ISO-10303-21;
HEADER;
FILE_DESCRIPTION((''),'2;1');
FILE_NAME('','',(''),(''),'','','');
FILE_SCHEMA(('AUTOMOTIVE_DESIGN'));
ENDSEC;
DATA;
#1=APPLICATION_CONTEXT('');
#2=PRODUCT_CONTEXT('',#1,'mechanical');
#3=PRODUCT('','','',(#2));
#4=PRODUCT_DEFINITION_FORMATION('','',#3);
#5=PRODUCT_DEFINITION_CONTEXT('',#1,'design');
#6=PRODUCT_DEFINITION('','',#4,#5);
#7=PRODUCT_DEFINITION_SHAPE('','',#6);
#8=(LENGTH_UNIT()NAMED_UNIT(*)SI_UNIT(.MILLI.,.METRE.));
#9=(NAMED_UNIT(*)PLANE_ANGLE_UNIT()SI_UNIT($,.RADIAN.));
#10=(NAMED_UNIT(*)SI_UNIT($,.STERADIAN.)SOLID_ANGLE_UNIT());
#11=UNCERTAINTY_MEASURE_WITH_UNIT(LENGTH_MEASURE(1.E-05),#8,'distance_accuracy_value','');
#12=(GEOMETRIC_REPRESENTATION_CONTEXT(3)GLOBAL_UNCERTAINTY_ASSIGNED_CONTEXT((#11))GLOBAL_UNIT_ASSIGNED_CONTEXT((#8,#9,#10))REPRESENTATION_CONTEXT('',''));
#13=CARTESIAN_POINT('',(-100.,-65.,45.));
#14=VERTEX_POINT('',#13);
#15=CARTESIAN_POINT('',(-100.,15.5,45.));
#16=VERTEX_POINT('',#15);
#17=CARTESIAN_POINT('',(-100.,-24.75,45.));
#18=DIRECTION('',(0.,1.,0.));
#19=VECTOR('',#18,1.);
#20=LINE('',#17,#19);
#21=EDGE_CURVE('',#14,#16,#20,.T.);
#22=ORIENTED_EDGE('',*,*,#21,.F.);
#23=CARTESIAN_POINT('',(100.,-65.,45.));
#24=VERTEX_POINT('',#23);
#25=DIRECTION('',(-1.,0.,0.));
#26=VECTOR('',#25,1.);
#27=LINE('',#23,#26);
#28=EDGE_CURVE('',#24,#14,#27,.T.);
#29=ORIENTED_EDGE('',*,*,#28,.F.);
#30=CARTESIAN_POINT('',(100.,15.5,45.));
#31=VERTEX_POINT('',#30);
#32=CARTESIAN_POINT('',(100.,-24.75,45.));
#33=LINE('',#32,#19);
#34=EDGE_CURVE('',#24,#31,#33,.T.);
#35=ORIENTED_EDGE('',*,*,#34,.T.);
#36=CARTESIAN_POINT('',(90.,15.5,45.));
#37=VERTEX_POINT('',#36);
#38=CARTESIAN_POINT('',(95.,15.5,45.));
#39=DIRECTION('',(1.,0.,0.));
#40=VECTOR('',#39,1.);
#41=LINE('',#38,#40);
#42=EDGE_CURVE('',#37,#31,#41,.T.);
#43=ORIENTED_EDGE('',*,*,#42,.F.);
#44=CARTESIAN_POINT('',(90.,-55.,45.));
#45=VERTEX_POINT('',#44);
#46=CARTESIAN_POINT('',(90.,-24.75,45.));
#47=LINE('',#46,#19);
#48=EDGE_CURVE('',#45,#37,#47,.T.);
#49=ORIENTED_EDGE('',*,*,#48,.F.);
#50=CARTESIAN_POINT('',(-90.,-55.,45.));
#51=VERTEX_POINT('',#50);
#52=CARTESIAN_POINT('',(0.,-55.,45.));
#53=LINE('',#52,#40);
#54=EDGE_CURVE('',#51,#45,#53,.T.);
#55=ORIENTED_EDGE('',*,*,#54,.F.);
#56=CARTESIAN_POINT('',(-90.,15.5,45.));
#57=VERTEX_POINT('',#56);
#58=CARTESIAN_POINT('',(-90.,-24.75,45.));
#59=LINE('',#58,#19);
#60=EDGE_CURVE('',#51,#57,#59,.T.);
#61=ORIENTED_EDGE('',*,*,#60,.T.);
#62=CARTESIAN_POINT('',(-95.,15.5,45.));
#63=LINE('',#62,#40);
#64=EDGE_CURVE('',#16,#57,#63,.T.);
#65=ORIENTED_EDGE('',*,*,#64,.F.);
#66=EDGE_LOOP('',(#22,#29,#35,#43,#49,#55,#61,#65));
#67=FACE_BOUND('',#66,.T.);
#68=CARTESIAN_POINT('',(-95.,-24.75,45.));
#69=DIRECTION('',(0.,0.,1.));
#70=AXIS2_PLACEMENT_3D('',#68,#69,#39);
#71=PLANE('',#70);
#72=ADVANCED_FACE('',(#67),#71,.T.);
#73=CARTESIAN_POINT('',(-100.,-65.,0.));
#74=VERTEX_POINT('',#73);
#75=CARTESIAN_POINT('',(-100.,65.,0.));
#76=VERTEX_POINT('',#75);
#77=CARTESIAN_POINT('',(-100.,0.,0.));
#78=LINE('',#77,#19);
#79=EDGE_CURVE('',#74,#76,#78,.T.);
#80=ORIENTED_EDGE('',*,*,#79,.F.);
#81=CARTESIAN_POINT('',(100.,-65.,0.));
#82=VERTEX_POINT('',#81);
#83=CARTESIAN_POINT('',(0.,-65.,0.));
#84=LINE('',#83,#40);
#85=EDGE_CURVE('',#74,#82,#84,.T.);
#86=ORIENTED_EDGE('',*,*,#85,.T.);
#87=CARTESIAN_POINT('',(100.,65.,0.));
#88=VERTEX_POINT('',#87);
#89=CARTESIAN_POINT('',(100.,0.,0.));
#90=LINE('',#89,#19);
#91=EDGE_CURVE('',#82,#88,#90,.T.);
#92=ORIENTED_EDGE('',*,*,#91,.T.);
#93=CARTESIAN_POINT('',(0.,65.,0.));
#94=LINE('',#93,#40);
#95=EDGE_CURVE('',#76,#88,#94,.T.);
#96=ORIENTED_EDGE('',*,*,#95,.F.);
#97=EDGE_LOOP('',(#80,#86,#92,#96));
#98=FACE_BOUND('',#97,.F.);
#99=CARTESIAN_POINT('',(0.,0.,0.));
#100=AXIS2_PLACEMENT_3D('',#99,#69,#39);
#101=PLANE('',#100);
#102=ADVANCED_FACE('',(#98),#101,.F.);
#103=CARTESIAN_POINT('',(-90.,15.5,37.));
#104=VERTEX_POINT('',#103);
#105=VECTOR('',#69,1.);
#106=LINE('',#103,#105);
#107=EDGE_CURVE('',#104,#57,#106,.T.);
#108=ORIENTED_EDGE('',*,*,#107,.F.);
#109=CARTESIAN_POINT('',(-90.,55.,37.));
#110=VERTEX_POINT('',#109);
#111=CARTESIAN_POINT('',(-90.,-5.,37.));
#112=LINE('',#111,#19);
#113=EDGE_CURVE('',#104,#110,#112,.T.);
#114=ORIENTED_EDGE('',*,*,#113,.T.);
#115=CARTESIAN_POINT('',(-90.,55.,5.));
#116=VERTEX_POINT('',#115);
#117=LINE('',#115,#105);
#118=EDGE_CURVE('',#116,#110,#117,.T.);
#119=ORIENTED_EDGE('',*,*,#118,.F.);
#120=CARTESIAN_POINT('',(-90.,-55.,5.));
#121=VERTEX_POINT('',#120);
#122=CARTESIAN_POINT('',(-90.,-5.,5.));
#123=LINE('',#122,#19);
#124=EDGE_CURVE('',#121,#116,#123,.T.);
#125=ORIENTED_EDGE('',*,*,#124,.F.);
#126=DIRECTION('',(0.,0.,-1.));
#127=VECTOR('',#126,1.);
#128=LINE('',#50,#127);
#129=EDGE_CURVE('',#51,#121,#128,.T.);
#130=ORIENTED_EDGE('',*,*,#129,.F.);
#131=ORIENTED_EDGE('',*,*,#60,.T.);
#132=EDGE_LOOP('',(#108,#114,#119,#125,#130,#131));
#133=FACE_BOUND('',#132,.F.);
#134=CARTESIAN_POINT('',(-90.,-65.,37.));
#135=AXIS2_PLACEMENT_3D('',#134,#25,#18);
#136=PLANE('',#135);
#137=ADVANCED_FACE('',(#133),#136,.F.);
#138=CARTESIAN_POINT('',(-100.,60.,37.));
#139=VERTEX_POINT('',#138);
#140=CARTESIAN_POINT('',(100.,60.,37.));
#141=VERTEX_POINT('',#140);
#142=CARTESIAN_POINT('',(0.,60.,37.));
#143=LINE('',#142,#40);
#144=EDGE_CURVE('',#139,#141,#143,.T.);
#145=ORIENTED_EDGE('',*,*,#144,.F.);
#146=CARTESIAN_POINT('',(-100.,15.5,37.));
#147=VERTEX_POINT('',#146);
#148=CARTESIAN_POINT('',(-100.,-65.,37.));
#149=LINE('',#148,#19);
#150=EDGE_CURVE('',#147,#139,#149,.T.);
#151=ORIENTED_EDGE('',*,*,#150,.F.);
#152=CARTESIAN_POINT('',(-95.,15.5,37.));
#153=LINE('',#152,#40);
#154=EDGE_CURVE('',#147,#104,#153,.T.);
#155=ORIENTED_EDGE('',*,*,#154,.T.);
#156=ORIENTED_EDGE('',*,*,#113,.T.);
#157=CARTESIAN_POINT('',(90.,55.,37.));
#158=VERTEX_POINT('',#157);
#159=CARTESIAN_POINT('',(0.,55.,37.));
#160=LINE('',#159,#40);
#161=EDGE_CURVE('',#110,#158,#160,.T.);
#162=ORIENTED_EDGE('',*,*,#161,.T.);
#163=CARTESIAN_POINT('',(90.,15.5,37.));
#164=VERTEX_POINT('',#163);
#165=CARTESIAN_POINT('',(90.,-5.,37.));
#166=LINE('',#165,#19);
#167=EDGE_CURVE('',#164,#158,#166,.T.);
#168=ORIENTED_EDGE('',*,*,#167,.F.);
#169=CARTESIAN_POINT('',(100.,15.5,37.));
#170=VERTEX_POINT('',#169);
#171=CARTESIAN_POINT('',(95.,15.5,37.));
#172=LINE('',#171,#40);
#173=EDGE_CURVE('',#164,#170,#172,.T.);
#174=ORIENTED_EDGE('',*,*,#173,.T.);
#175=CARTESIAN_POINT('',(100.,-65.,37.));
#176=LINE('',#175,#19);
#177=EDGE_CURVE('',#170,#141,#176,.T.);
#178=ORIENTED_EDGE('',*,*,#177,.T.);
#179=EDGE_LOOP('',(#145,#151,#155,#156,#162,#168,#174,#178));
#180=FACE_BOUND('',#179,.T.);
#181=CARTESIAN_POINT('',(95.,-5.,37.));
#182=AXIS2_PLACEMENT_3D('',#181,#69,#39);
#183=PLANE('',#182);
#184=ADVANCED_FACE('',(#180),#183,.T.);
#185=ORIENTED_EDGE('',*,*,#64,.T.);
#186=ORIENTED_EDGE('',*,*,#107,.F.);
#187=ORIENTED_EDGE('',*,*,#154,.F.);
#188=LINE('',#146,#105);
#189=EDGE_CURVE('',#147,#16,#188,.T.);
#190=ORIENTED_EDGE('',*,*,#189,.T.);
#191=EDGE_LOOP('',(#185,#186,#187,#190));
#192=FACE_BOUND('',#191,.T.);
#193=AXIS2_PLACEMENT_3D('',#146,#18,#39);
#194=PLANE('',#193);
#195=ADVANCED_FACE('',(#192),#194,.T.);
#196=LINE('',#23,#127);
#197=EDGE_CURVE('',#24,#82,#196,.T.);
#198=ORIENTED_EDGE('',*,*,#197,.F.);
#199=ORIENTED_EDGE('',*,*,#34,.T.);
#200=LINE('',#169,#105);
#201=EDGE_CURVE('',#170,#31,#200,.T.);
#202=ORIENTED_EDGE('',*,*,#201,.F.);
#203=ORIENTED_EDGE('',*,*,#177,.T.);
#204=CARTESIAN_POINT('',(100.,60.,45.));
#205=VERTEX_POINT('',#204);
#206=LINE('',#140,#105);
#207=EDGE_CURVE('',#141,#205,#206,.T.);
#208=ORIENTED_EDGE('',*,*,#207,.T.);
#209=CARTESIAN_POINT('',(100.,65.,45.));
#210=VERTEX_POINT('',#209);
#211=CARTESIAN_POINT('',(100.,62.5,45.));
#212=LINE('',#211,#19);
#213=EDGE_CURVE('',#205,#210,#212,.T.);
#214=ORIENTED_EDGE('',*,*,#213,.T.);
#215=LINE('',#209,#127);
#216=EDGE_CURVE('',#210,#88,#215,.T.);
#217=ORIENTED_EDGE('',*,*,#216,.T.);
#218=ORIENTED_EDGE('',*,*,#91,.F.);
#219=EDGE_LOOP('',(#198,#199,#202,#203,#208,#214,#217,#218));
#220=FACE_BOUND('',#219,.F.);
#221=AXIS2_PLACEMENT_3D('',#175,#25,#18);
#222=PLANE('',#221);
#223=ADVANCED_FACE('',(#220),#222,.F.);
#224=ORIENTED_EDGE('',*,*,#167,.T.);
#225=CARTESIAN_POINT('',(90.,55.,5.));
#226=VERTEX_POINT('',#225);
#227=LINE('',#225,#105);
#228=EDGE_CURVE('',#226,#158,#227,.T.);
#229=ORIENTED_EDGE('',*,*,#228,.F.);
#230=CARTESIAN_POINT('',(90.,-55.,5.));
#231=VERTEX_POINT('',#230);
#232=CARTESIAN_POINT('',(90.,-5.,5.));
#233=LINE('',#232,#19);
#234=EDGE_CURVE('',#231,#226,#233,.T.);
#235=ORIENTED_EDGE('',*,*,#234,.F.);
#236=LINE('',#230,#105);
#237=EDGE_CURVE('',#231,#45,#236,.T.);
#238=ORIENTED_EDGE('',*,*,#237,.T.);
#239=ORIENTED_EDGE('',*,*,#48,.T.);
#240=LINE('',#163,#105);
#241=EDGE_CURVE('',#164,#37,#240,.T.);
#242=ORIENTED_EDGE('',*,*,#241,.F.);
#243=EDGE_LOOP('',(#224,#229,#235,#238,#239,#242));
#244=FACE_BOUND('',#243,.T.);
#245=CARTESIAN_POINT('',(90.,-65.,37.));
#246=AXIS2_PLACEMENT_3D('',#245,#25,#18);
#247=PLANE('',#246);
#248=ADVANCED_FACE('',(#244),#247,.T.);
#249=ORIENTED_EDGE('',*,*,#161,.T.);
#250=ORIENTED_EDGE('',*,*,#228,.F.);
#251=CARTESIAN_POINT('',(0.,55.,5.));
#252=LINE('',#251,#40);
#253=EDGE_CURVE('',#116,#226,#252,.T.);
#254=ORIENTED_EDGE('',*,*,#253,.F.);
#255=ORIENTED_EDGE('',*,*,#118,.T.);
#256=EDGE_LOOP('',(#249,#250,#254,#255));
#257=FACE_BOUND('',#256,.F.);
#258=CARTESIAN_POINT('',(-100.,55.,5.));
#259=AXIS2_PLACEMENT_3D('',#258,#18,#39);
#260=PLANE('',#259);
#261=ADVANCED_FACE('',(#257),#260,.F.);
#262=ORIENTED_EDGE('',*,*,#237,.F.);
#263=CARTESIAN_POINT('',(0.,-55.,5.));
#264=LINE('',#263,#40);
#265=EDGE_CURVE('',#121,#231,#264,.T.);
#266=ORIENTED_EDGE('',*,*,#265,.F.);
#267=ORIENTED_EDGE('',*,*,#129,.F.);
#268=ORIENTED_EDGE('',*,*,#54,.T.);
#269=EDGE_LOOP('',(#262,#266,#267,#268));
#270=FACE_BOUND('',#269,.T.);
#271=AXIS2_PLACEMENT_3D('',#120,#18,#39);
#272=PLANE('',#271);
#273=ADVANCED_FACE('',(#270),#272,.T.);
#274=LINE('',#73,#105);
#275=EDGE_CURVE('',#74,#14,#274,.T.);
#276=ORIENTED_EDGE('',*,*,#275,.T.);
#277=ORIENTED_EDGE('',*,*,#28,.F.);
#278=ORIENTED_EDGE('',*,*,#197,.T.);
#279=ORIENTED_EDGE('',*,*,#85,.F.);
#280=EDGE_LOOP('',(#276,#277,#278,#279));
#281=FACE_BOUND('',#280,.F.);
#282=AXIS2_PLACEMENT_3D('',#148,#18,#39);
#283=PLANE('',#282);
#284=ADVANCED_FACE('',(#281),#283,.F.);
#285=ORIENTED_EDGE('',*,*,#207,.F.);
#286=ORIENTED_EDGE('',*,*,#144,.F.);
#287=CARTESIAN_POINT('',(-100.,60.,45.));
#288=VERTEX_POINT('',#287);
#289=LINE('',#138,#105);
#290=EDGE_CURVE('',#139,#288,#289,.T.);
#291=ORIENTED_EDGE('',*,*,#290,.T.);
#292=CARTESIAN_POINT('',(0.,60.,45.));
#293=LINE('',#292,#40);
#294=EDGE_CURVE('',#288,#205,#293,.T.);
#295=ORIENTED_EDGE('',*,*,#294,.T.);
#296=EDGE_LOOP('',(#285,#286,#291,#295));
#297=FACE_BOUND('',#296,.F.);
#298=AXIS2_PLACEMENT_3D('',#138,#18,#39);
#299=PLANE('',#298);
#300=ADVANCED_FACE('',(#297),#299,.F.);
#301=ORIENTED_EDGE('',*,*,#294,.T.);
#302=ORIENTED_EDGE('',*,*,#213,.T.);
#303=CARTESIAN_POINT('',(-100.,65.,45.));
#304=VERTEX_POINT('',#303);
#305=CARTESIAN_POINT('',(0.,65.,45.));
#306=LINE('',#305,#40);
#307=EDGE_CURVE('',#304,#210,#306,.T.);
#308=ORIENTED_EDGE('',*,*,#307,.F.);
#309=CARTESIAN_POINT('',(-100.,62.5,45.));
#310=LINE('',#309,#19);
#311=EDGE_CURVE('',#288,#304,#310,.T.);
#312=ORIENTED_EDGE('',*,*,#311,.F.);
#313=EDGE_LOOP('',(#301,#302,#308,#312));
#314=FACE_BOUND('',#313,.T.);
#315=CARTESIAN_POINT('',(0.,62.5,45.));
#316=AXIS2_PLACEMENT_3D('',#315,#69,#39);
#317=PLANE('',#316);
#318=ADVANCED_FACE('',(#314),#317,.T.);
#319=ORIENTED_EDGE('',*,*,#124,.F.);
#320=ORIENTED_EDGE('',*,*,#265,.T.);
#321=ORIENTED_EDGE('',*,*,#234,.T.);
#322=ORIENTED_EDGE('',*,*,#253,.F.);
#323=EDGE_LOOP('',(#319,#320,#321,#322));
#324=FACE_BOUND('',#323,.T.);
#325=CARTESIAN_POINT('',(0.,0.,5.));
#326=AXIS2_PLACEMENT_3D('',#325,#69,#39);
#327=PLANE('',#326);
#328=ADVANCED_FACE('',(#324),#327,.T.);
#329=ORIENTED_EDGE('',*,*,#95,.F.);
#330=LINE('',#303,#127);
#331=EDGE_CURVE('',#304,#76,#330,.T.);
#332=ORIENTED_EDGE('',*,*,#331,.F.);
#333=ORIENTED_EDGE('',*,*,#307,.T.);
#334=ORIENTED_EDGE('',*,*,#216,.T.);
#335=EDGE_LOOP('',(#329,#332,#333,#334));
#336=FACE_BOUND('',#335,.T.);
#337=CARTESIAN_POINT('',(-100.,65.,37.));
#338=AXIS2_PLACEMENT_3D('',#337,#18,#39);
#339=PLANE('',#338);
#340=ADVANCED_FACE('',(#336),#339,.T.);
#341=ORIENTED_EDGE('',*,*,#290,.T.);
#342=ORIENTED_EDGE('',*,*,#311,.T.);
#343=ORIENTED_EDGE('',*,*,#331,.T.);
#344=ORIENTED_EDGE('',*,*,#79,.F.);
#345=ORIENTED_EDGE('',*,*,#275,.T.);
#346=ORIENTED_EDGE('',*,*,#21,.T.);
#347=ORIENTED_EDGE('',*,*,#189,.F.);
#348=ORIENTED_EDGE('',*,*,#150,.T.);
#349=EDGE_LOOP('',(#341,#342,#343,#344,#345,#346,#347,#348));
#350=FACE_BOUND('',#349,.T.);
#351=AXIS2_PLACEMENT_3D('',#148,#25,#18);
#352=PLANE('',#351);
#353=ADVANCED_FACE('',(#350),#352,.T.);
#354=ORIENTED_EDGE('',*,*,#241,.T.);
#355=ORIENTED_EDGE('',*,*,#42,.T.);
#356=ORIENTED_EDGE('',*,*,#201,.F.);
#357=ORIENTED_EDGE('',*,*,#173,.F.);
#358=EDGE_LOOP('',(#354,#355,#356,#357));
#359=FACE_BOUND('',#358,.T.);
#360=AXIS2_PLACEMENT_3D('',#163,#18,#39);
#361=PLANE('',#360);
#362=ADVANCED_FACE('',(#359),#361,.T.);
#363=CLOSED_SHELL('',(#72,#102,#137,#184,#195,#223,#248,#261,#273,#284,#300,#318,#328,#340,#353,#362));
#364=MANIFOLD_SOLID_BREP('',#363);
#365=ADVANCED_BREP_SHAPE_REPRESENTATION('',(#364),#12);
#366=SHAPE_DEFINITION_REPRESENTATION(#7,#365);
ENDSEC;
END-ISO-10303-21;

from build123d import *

# Parameters (mm, degrees)
F0_W      = 200
F0_H      = 130
F1_DEPTH  = 5
F2_W      = 200
F2_H      = 10
F3_DEPTH  = 32
F4_W      = 200
F4_H      = 5
F5_DEPTH  = 8
F6_W      = 10
F6_H      = 120
F7_DEPTH  = 32
F8_W      = 10
F8_H      = 120
F9_DEPTH  = 32
F10_W     = 180
F10_H     = 10
F11_DEPTH = 40
F12_W     = 10
F12_H     = 80.5
F13_DEPTH = 8
F14_W     = 10
F14_H     = 80.5
F15_DEPTH = 8


with BuildPart() as f1:
    # F0 (on Top) → F1 (new body)
    with BuildSketch(Plane.XY):
        Rectangle(F0_W, F0_H)
    extrude(amount=F1_DEPTH)

    # F2 (on face) → F3 (join)
    with BuildSketch(Plane.XY.offset(5)):
        with Locations((0, 60)):
            Rectangle(F2_W, F2_H)
    extrude(amount=F3_DEPTH)

    # F4 (on face) → F5 (join)
    with BuildSketch(Plane.XY.offset(37)):
        with Locations((0, 62.5)):
            Rectangle(F4_W, F4_H)
    extrude(amount=F5_DEPTH)

    # F6 (on face) → F7 (join)
    with BuildSketch(Plane.XY.offset(5)):
        with Locations((-95, -5)):
            Rectangle(F6_W, F6_H)
    extrude(amount=F7_DEPTH)

    # F8 (on face) → F9 (join)
    with BuildSketch(Plane.XY.offset(5)):
        with Locations((95, -5)):
            Rectangle(F8_W, F8_H)
    extrude(amount=F9_DEPTH)

    # F10 (on face) → F11 (join)
    with BuildSketch(Plane.XY.offset(5)):
        with Locations((0, -60)):
            Rectangle(F10_W, F10_H)
    extrude(amount=F11_DEPTH)

    # F12 (on face) → F13 (join)
    with BuildSketch(Plane.XY.offset(37)):
        with Locations((95, -24.75)):
            Rectangle(F12_W, F12_H)
    extrude(amount=F13_DEPTH)

    # F14 (on face) → F15 (join)
    with BuildSketch(Plane.XY.offset(37)):
        with Locations((-95, -24.75)):
            Rectangle(F14_W, F14_H)
    extrude(amount=F15_DEPTH)


solid = f1.part
